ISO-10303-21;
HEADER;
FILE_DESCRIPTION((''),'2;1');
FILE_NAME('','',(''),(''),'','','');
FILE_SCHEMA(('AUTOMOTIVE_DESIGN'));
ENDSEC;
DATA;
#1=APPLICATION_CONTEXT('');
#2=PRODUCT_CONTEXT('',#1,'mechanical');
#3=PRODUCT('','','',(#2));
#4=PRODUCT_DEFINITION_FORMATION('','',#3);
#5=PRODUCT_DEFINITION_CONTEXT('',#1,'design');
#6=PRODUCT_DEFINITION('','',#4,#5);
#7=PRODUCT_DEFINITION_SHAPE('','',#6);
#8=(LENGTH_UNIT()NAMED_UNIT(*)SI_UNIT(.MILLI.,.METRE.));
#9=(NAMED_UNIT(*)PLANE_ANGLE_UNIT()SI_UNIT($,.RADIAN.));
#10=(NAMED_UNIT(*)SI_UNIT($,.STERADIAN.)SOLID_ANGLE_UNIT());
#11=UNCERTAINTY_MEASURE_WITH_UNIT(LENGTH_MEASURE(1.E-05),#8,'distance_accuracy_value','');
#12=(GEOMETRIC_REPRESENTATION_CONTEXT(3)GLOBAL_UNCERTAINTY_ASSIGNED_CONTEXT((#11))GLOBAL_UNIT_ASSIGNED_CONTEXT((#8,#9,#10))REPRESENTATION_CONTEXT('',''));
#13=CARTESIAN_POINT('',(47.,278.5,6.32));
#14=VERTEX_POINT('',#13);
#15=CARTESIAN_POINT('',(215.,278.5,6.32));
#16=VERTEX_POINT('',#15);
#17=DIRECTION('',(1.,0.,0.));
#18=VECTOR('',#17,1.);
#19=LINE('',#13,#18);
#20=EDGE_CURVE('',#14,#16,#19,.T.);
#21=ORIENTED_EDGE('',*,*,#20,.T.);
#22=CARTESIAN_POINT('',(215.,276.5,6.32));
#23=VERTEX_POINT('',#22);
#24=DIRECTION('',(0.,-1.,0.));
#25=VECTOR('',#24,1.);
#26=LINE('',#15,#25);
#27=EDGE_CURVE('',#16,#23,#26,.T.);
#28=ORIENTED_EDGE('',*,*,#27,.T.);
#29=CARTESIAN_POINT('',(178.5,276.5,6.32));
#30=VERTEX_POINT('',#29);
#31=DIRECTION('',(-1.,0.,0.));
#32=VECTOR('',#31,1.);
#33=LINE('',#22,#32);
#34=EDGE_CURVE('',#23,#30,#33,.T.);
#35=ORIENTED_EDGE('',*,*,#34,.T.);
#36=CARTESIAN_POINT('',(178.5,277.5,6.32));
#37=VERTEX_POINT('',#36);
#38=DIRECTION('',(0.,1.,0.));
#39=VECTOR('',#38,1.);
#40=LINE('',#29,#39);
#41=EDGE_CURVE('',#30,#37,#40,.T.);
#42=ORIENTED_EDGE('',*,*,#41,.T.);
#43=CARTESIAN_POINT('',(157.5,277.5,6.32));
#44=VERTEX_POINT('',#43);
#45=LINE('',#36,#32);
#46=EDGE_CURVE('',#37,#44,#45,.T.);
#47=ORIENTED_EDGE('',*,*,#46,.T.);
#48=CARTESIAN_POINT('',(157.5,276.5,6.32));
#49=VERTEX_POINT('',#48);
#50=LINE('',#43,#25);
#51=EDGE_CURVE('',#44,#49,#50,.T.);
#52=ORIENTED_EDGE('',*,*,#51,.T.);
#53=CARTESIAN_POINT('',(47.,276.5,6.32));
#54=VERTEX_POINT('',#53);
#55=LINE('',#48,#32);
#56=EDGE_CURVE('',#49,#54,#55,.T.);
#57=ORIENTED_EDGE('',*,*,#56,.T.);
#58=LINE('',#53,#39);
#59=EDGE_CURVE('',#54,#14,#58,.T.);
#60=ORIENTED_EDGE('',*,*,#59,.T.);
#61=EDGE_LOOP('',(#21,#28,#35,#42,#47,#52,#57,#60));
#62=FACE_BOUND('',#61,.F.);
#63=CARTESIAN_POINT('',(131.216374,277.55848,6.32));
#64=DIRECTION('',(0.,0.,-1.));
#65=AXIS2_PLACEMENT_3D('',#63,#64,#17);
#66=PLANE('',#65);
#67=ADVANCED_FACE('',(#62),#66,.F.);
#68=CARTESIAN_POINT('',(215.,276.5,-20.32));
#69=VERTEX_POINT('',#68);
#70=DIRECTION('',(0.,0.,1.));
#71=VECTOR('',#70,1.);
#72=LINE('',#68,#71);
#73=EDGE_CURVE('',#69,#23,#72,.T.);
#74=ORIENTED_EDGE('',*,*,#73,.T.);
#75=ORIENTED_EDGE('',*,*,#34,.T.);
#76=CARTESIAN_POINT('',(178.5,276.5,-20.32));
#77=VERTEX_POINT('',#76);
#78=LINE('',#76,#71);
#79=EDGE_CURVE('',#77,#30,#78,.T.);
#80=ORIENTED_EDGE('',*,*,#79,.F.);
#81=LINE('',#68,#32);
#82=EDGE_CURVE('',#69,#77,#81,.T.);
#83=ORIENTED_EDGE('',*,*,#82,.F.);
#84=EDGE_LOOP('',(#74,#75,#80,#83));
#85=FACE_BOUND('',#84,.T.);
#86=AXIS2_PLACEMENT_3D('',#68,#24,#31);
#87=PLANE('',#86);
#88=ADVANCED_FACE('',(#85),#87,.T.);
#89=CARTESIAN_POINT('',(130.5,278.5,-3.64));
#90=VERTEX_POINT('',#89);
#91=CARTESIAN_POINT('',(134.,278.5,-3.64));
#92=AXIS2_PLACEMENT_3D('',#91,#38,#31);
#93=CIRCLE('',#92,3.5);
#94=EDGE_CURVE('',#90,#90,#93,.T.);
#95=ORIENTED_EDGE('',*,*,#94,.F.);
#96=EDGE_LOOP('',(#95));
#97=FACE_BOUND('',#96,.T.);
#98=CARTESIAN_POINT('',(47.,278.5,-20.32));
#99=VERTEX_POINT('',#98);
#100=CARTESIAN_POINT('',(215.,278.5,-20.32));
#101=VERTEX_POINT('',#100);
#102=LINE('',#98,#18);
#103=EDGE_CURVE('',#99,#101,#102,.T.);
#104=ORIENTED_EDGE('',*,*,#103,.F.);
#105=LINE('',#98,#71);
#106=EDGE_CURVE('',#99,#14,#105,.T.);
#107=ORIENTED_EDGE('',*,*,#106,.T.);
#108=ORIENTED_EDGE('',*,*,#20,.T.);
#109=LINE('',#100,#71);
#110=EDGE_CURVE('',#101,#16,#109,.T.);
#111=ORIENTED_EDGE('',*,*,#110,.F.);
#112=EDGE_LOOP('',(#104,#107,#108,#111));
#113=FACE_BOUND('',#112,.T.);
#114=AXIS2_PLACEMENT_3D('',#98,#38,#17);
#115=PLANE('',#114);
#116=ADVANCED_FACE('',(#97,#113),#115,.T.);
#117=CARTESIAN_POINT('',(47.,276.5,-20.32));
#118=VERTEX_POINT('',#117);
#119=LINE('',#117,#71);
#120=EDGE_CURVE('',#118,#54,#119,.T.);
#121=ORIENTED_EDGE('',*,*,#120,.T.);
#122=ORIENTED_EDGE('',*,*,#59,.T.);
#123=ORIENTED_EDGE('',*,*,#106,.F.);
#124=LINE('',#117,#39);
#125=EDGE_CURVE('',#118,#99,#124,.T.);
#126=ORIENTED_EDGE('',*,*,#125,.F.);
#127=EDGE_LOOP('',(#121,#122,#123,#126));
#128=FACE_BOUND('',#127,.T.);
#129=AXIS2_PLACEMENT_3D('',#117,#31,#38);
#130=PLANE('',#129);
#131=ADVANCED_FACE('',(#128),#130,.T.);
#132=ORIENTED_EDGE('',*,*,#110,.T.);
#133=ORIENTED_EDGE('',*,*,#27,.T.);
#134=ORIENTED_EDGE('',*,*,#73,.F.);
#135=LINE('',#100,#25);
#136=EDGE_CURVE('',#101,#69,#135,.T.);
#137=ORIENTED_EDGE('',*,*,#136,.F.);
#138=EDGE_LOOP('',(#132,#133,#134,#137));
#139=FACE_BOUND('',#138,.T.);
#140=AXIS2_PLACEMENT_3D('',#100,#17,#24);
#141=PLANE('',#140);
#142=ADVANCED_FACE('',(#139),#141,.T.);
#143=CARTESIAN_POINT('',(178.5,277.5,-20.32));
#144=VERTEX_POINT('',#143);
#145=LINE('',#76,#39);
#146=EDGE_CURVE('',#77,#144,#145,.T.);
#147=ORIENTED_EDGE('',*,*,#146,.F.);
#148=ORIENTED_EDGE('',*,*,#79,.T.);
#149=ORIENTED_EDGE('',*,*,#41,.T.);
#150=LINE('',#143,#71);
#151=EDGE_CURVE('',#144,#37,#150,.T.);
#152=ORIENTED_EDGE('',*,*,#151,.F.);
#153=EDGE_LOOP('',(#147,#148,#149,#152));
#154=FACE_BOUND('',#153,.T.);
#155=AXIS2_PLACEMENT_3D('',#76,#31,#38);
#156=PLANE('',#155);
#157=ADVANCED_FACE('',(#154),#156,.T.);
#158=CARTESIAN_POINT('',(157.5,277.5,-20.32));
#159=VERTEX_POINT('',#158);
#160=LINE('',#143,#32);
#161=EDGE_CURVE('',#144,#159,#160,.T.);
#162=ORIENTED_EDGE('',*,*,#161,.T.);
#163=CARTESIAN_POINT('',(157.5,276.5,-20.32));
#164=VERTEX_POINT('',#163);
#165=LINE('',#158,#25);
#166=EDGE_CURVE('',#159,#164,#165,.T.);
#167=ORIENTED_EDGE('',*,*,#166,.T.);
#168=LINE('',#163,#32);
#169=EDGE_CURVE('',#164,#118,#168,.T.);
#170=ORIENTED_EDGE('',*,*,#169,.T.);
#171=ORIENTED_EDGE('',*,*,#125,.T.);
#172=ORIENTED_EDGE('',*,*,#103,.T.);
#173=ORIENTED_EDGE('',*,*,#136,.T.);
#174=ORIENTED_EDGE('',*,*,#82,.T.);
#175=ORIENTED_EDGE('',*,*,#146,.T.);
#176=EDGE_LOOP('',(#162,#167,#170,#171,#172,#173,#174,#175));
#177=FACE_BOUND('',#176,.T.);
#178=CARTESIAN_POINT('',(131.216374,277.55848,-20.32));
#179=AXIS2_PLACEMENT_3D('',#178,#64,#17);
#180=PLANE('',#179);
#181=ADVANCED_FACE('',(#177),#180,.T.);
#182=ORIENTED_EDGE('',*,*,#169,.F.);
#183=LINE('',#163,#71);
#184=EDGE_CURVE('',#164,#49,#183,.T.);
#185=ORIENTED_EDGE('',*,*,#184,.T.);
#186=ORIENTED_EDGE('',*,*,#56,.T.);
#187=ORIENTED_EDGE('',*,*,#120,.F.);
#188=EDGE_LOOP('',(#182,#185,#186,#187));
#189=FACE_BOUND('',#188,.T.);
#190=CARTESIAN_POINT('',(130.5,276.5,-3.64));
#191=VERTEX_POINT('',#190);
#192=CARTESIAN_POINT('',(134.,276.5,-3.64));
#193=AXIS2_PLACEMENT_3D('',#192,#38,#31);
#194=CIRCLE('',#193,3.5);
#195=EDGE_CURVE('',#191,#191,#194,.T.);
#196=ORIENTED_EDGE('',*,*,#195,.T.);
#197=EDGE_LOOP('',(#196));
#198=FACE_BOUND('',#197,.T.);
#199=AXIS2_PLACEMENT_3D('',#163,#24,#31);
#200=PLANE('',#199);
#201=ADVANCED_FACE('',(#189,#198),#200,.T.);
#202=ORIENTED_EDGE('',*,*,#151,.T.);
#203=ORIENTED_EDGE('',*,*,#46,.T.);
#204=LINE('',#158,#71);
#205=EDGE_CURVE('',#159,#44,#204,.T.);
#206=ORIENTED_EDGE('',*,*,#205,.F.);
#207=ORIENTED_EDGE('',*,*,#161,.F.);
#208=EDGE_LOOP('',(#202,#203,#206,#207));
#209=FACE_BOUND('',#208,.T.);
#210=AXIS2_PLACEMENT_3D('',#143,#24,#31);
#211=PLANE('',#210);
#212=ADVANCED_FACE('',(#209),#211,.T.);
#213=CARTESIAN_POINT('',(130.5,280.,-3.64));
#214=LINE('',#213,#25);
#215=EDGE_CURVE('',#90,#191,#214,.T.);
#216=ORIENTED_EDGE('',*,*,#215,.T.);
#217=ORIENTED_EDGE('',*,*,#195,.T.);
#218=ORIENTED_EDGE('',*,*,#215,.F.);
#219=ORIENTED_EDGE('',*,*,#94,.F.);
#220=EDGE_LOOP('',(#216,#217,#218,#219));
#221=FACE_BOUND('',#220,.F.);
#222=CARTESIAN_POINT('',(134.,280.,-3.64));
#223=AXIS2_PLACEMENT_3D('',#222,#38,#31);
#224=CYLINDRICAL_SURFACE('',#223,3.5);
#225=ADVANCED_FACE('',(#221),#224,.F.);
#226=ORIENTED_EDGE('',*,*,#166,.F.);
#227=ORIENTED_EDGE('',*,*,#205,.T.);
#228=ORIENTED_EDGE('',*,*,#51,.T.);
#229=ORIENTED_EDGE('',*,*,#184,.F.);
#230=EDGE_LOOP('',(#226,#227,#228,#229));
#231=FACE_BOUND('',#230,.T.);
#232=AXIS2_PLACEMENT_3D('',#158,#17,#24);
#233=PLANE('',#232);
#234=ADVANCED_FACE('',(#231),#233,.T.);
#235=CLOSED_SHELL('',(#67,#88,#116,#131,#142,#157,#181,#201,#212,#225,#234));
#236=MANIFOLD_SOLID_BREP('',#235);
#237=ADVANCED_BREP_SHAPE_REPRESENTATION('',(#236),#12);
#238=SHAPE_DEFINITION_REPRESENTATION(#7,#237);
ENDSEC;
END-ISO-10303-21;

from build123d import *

# Parameters (mm, degrees)
SKETCH157_R      = 3.5
EXTRUDE147_DEPTH = 10
EXTRUDE097_DEPTH = 26.64


with BuildPart() as extrude147:
    # Sketch157 → Extrude147 (new body)
    with BuildSketch(Plane(origin=(0, 280, 0), x_dir=(-1, 0, 0), z_dir=(0, 1, 0))):
        with Locations((-134, -3.64)):
            Circle(SKETCH157_R)
    extrude(amount=-EXTRUDE147_DEPTH)


with BuildPart() as battery_side:
    # Sketch106 → Extrude097 (new body)
    with BuildSketch(Plane(origin=(0, 0, -20.32), x_dir=(1, 0, 0), z_dir=(0, 0, -1))):
        Polygon((47, -278.5), (215, -278.5), (215, -276.5), (178.5, -276.5), (178.5, -277.5), (157.5, -277.5), (157.5, -276.5), (47, -276.5), align=None)
    extrude(amount=-EXTRUDE097_DEPTH)

    # Cut017: cut Extrude147
    add(extrude147.part, mode=Mode.SUBTRACT)


solid = battery_side.part
